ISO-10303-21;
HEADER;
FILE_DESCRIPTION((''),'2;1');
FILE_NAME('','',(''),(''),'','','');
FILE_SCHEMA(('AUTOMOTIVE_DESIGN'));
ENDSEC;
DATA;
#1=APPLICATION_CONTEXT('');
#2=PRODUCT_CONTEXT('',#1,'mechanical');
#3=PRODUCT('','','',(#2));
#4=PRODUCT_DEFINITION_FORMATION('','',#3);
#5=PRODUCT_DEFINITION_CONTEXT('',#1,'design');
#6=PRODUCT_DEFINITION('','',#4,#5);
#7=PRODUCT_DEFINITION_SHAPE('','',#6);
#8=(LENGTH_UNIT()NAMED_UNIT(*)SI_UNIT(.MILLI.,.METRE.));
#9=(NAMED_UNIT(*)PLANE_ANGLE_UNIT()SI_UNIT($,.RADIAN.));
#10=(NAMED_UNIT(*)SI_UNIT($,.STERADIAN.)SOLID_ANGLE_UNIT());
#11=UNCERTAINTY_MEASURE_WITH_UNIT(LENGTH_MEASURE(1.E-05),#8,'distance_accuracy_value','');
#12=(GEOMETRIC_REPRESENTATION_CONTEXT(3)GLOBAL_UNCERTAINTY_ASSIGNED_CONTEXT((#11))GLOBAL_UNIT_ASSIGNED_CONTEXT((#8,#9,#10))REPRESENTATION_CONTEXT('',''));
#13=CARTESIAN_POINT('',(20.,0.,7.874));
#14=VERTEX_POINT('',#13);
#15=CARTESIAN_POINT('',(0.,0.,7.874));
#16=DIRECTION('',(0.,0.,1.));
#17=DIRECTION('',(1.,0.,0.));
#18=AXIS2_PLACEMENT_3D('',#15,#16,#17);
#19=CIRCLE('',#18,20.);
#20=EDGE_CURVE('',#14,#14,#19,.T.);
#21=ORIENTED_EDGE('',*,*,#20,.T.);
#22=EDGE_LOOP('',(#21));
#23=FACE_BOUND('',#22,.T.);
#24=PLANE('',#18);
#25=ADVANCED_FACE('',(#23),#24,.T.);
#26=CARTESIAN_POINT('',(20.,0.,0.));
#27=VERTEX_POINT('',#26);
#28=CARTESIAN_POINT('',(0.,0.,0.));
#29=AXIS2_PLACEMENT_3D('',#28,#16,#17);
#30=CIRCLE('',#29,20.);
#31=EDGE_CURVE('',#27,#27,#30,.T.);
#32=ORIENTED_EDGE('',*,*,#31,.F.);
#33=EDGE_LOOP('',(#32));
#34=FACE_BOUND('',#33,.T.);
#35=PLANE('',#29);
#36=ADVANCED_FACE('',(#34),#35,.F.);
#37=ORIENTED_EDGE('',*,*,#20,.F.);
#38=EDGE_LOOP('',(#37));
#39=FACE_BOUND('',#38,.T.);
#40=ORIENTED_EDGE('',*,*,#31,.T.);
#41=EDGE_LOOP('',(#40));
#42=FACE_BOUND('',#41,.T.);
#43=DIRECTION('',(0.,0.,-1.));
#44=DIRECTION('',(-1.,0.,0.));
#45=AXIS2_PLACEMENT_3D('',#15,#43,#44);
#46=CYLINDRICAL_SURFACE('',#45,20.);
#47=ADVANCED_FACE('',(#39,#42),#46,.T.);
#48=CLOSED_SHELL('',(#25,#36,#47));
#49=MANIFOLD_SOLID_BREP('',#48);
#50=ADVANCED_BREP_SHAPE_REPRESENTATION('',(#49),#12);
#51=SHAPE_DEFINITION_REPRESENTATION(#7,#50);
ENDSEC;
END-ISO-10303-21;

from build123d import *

# Parameters (mm, degrees)
SKETCH1_R           = 20
BOSS_EXTRUDE1_DEPTH = 7.874


with BuildPart() as part:
    # Sketch1 → Boss-Extrude1 (new body)
    with BuildSketch(Plane.XY):
        Circle(SKETCH1_R)
    extrude(amount=BOSS_EXTRUDE1_DEPTH)


solid = part.part
